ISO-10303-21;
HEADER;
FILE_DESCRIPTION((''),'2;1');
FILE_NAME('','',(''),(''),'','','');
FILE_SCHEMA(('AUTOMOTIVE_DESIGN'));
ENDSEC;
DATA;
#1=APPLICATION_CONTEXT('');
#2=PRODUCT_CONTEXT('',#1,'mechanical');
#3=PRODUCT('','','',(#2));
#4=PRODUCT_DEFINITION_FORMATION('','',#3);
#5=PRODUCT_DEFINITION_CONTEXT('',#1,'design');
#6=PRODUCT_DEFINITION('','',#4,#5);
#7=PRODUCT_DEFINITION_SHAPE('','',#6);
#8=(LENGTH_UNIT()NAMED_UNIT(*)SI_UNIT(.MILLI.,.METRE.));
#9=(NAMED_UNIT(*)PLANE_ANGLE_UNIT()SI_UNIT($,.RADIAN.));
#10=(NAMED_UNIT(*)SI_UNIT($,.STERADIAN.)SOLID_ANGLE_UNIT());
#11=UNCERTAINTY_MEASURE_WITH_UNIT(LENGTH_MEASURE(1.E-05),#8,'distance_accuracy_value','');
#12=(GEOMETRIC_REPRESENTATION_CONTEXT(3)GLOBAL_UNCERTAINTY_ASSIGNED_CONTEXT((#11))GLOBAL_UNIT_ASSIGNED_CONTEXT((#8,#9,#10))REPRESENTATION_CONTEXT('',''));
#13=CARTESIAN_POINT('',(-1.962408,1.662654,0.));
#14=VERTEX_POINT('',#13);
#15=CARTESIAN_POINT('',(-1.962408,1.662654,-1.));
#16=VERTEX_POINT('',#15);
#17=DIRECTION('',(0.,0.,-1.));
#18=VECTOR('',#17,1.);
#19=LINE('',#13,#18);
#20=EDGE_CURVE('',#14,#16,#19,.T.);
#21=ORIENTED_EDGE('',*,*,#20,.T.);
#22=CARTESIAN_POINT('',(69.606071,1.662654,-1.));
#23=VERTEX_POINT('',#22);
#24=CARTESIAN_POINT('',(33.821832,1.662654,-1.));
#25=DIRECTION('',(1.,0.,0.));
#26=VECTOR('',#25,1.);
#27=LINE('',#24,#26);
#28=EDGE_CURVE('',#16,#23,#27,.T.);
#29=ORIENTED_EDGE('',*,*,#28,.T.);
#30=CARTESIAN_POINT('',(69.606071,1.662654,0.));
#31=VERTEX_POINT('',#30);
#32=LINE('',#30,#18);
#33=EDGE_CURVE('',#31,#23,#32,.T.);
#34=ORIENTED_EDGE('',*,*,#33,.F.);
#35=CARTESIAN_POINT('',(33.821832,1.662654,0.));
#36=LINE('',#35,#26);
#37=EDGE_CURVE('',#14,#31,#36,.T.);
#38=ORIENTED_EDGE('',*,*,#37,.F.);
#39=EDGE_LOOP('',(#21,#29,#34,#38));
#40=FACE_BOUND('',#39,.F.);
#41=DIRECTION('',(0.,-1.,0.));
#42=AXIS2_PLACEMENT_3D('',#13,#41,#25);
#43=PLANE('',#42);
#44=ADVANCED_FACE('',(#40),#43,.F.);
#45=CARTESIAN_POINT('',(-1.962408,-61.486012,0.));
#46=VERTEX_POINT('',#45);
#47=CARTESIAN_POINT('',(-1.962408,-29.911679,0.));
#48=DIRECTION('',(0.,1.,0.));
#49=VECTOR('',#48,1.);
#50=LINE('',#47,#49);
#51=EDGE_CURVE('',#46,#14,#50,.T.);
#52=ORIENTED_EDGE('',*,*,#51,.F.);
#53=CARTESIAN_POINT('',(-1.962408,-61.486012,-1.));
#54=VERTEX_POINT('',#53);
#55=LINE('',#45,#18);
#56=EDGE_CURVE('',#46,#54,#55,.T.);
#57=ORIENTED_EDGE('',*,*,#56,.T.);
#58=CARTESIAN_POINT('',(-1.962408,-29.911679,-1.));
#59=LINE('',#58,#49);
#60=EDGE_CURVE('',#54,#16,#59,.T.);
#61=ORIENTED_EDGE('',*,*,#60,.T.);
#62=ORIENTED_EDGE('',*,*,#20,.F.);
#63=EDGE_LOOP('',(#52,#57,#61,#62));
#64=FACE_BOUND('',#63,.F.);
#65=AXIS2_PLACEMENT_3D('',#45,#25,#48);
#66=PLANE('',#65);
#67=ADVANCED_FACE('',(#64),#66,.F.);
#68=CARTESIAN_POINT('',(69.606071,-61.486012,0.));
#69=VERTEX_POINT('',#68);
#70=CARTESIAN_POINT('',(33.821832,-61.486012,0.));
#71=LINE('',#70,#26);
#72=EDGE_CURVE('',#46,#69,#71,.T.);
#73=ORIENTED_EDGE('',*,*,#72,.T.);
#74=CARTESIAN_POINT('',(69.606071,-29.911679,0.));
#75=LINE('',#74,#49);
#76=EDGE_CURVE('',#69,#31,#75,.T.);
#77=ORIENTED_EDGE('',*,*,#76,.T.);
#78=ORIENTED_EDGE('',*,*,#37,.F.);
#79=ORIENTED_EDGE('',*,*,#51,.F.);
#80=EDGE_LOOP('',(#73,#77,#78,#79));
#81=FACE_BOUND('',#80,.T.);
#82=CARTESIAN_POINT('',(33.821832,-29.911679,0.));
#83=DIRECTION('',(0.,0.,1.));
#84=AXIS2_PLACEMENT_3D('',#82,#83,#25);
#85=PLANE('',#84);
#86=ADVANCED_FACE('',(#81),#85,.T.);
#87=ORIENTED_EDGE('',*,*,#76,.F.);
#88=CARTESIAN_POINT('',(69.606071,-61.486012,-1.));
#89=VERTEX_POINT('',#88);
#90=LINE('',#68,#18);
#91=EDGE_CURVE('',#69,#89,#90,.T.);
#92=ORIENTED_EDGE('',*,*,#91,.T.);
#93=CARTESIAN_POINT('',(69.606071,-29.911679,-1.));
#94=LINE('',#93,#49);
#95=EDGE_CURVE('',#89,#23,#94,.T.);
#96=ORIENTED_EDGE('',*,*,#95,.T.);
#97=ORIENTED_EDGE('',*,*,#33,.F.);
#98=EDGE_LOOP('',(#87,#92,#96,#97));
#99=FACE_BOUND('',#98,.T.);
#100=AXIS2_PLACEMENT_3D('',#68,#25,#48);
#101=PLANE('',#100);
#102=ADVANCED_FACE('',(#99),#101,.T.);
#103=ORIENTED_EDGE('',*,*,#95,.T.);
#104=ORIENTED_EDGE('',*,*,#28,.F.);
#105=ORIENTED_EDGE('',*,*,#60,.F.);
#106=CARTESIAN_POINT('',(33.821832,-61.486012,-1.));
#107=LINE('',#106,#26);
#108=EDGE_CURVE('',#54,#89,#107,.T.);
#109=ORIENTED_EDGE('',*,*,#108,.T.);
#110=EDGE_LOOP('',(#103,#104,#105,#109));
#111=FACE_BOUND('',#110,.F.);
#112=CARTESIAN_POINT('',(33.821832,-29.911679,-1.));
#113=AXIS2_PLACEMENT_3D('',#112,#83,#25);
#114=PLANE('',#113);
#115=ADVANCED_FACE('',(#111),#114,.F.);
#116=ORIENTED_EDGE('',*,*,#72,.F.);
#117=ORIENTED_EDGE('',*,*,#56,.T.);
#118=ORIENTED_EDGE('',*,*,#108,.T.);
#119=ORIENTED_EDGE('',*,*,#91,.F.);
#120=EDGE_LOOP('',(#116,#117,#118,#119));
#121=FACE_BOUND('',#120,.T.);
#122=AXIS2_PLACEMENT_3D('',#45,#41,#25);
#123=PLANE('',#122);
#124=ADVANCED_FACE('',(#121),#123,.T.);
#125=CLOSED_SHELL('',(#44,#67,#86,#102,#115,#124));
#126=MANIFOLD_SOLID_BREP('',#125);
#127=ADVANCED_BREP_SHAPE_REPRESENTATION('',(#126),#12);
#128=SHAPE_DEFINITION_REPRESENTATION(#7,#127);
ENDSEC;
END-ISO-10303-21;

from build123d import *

# Parameters (mm, degrees)
SKETCH_W  = 71.568479
SKETCH_H  = 63.148666
PAD_DEPTH = 1


with BuildPart() as part:
    # Sketch → Pad (new body)
    with BuildSketch(Plane.XY):
        with Locations((33.821832, -29.911679)):
            Rectangle(SKETCH_W, SKETCH_H)
    extrude(amount=-PAD_DEPTH)


solid = part.part
